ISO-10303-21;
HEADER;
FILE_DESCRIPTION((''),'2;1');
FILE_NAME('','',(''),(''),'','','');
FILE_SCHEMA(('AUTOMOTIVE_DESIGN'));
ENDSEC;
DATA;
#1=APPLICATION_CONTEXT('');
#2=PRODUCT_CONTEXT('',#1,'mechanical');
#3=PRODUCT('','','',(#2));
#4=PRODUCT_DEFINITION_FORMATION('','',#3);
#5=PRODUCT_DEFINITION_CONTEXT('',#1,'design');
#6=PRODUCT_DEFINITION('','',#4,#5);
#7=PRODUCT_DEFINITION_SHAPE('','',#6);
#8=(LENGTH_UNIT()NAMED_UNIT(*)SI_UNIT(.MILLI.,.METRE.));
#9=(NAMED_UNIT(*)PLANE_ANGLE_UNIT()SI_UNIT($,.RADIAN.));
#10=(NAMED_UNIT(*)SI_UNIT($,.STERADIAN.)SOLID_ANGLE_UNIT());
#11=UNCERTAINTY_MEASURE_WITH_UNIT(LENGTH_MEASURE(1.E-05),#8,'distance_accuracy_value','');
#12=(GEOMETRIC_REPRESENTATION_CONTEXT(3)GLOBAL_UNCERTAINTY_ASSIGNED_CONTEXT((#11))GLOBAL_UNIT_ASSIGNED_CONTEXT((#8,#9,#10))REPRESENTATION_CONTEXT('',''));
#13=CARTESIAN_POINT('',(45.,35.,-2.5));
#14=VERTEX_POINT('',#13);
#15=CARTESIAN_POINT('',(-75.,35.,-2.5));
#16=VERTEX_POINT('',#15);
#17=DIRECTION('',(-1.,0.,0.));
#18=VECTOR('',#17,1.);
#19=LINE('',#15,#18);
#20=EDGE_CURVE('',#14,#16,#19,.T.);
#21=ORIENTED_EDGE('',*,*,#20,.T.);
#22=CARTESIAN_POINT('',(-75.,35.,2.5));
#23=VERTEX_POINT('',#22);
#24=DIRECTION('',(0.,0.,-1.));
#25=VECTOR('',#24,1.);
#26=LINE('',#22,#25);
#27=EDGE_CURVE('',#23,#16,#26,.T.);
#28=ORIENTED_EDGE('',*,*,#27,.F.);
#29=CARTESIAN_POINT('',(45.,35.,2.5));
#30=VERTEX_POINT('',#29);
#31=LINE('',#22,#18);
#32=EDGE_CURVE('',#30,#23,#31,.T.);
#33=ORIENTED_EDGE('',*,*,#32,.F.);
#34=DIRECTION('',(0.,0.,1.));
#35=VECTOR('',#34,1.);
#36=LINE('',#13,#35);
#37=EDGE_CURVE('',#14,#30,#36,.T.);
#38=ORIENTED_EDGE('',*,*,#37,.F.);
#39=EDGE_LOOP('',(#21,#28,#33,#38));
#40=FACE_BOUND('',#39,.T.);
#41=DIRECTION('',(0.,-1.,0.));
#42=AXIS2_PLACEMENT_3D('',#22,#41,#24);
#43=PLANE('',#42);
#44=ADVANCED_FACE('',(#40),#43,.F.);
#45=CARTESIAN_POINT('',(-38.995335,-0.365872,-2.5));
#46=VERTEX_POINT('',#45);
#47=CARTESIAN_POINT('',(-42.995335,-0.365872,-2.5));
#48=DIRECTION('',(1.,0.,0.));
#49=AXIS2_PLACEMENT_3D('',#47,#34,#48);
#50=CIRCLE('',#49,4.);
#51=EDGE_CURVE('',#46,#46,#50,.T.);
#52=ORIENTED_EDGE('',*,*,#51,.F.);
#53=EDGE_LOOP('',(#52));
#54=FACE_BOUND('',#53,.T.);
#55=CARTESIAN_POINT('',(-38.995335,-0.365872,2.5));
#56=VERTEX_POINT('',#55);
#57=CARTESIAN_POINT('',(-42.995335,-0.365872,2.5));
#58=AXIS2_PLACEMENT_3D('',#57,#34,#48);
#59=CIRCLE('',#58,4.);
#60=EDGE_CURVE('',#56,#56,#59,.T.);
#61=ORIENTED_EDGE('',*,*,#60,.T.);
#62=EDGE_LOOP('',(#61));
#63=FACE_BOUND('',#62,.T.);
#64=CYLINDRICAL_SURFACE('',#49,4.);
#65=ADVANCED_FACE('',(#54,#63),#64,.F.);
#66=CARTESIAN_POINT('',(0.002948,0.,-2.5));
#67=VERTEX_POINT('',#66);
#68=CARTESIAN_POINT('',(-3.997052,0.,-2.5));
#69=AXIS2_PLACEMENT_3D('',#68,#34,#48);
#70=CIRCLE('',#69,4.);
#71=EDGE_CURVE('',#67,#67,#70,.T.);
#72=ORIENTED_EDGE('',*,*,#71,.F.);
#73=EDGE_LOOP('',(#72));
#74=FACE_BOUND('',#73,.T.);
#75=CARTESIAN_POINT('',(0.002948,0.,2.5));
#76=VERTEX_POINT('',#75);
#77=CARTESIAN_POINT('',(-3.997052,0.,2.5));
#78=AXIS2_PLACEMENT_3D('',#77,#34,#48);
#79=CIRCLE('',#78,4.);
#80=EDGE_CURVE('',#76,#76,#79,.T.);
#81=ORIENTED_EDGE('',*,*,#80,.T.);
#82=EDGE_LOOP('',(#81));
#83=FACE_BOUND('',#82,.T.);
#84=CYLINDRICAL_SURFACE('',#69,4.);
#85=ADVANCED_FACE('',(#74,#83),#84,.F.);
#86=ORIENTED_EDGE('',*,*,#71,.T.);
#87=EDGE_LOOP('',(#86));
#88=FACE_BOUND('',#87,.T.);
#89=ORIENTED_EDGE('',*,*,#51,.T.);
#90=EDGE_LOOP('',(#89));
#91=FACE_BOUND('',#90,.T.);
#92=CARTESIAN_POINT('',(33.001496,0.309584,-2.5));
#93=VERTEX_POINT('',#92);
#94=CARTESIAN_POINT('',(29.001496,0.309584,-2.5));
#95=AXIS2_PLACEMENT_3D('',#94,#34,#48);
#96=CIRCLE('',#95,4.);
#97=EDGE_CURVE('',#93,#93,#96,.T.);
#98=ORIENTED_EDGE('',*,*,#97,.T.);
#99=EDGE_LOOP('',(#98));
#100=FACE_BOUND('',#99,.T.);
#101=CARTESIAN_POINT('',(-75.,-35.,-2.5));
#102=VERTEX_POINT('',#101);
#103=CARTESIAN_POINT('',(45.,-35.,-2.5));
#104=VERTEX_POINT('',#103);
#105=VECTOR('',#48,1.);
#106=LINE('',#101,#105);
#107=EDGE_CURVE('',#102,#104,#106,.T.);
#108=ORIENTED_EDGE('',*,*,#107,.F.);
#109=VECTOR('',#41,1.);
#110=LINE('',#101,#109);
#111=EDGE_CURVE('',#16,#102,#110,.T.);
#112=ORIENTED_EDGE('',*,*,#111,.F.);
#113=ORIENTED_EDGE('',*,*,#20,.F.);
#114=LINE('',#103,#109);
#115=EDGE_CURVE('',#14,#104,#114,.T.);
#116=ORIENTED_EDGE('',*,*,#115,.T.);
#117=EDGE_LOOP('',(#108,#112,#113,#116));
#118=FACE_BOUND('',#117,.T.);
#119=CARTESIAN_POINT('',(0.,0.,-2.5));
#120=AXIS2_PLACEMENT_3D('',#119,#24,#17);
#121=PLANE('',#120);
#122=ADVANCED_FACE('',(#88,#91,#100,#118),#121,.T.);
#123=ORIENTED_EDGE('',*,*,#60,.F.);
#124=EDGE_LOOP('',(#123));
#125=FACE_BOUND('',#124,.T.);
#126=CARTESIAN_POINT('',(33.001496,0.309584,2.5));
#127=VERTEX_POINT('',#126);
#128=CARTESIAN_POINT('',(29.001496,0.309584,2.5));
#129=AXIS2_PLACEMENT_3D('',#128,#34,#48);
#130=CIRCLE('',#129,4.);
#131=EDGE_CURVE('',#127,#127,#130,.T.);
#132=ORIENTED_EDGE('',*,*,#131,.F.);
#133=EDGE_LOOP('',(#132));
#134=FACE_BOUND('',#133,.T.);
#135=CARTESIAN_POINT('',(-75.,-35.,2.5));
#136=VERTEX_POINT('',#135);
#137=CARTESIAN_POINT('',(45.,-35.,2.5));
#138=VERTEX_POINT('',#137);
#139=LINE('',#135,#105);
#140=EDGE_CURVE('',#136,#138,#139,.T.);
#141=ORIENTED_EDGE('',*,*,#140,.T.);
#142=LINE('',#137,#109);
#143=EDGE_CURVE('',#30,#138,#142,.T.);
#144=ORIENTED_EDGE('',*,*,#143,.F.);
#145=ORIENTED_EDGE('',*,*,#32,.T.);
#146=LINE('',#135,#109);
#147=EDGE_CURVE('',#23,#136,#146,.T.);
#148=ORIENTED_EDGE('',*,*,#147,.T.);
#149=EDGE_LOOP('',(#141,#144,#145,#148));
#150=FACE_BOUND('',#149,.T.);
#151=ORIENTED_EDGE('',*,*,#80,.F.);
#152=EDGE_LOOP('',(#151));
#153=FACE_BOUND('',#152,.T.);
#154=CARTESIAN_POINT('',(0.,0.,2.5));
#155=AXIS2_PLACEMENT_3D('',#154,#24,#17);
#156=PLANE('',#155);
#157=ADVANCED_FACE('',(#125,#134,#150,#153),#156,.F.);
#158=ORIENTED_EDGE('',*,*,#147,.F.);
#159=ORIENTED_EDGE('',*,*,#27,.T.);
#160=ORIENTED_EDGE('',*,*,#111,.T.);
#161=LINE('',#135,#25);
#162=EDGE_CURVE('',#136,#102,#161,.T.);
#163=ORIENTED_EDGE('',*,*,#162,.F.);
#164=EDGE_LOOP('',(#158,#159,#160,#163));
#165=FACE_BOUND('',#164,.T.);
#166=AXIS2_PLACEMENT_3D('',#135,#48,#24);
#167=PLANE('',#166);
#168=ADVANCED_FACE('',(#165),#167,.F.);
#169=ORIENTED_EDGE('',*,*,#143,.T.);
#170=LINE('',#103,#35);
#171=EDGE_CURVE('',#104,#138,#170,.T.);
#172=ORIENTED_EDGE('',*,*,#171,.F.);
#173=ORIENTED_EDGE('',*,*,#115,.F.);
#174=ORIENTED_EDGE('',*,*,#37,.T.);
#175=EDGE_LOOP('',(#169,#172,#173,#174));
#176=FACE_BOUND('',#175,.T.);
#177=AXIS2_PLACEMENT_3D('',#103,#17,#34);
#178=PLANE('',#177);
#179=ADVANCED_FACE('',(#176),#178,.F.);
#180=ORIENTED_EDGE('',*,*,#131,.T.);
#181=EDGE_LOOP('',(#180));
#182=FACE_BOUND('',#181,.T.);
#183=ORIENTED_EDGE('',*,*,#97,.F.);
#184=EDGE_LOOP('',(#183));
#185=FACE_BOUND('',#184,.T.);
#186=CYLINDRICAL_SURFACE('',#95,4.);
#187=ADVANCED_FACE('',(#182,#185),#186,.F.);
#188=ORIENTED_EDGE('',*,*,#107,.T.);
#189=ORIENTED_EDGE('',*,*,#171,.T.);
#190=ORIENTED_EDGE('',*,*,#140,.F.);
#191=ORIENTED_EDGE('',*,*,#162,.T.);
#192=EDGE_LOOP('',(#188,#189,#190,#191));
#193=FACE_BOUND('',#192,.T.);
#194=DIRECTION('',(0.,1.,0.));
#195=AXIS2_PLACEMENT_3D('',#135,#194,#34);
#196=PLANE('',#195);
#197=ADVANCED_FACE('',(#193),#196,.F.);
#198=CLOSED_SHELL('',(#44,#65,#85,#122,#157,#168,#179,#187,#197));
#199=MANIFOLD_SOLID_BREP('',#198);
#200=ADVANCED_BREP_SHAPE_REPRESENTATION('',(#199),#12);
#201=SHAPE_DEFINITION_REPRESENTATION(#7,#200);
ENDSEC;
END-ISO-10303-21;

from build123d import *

# Parameters (mm, degrees)
SKETCH1_W           = 150
SKETCH1_H           = 70
BOSS_EXTRUDE1_DEPTH = 2.5
SKETCH2_R           = 4
CUT_EXTRUDE1_DEPTH  = 6
SKETCH3_W           = 30
SKETCH3_H           = 70
CUT_EXTRUDE2_DEPTH  = 6


with BuildPart() as part:
    # Sketch1 → Boss-Extrude1 (new body, symmetric)
    with BuildSketch(Plane.XY):
        Rectangle(SKETCH1_W, SKETCH1_H)
    extrude(amount=BOSS_EXTRUDE1_DEPTH, both=True)

    # Sketch2 → Cut-Extrude1 (cut, through all)
    with BuildSketch(Plane.XY.offset(2.5)):
        with Locations((63, 0.628549325)):
            Circle(SKETCH2_R)
        with Locations((29.001496193, 0.309583996)):
            Circle(SKETCH2_R)
        with Locations((-42.995335398, -0.365871995)):
            Circle(SKETCH2_R)
        with Locations((-3.99705162, 0)):
            Circle(SKETCH2_R)
    extrude(amount=-CUT_EXTRUDE1_DEPTH, mode=Mode.SUBTRACT)

    # Sketch3 → Cut-Extrude2 (cut, through all)
    with BuildSketch(Plane.XY.offset(2.5)):
        with Locations((60, 0)):
            Rectangle(SKETCH3_W, SKETCH3_H)
    extrude(amount=-CUT_EXTRUDE2_DEPTH, mode=Mode.SUBTRACT)


solid = part.part
